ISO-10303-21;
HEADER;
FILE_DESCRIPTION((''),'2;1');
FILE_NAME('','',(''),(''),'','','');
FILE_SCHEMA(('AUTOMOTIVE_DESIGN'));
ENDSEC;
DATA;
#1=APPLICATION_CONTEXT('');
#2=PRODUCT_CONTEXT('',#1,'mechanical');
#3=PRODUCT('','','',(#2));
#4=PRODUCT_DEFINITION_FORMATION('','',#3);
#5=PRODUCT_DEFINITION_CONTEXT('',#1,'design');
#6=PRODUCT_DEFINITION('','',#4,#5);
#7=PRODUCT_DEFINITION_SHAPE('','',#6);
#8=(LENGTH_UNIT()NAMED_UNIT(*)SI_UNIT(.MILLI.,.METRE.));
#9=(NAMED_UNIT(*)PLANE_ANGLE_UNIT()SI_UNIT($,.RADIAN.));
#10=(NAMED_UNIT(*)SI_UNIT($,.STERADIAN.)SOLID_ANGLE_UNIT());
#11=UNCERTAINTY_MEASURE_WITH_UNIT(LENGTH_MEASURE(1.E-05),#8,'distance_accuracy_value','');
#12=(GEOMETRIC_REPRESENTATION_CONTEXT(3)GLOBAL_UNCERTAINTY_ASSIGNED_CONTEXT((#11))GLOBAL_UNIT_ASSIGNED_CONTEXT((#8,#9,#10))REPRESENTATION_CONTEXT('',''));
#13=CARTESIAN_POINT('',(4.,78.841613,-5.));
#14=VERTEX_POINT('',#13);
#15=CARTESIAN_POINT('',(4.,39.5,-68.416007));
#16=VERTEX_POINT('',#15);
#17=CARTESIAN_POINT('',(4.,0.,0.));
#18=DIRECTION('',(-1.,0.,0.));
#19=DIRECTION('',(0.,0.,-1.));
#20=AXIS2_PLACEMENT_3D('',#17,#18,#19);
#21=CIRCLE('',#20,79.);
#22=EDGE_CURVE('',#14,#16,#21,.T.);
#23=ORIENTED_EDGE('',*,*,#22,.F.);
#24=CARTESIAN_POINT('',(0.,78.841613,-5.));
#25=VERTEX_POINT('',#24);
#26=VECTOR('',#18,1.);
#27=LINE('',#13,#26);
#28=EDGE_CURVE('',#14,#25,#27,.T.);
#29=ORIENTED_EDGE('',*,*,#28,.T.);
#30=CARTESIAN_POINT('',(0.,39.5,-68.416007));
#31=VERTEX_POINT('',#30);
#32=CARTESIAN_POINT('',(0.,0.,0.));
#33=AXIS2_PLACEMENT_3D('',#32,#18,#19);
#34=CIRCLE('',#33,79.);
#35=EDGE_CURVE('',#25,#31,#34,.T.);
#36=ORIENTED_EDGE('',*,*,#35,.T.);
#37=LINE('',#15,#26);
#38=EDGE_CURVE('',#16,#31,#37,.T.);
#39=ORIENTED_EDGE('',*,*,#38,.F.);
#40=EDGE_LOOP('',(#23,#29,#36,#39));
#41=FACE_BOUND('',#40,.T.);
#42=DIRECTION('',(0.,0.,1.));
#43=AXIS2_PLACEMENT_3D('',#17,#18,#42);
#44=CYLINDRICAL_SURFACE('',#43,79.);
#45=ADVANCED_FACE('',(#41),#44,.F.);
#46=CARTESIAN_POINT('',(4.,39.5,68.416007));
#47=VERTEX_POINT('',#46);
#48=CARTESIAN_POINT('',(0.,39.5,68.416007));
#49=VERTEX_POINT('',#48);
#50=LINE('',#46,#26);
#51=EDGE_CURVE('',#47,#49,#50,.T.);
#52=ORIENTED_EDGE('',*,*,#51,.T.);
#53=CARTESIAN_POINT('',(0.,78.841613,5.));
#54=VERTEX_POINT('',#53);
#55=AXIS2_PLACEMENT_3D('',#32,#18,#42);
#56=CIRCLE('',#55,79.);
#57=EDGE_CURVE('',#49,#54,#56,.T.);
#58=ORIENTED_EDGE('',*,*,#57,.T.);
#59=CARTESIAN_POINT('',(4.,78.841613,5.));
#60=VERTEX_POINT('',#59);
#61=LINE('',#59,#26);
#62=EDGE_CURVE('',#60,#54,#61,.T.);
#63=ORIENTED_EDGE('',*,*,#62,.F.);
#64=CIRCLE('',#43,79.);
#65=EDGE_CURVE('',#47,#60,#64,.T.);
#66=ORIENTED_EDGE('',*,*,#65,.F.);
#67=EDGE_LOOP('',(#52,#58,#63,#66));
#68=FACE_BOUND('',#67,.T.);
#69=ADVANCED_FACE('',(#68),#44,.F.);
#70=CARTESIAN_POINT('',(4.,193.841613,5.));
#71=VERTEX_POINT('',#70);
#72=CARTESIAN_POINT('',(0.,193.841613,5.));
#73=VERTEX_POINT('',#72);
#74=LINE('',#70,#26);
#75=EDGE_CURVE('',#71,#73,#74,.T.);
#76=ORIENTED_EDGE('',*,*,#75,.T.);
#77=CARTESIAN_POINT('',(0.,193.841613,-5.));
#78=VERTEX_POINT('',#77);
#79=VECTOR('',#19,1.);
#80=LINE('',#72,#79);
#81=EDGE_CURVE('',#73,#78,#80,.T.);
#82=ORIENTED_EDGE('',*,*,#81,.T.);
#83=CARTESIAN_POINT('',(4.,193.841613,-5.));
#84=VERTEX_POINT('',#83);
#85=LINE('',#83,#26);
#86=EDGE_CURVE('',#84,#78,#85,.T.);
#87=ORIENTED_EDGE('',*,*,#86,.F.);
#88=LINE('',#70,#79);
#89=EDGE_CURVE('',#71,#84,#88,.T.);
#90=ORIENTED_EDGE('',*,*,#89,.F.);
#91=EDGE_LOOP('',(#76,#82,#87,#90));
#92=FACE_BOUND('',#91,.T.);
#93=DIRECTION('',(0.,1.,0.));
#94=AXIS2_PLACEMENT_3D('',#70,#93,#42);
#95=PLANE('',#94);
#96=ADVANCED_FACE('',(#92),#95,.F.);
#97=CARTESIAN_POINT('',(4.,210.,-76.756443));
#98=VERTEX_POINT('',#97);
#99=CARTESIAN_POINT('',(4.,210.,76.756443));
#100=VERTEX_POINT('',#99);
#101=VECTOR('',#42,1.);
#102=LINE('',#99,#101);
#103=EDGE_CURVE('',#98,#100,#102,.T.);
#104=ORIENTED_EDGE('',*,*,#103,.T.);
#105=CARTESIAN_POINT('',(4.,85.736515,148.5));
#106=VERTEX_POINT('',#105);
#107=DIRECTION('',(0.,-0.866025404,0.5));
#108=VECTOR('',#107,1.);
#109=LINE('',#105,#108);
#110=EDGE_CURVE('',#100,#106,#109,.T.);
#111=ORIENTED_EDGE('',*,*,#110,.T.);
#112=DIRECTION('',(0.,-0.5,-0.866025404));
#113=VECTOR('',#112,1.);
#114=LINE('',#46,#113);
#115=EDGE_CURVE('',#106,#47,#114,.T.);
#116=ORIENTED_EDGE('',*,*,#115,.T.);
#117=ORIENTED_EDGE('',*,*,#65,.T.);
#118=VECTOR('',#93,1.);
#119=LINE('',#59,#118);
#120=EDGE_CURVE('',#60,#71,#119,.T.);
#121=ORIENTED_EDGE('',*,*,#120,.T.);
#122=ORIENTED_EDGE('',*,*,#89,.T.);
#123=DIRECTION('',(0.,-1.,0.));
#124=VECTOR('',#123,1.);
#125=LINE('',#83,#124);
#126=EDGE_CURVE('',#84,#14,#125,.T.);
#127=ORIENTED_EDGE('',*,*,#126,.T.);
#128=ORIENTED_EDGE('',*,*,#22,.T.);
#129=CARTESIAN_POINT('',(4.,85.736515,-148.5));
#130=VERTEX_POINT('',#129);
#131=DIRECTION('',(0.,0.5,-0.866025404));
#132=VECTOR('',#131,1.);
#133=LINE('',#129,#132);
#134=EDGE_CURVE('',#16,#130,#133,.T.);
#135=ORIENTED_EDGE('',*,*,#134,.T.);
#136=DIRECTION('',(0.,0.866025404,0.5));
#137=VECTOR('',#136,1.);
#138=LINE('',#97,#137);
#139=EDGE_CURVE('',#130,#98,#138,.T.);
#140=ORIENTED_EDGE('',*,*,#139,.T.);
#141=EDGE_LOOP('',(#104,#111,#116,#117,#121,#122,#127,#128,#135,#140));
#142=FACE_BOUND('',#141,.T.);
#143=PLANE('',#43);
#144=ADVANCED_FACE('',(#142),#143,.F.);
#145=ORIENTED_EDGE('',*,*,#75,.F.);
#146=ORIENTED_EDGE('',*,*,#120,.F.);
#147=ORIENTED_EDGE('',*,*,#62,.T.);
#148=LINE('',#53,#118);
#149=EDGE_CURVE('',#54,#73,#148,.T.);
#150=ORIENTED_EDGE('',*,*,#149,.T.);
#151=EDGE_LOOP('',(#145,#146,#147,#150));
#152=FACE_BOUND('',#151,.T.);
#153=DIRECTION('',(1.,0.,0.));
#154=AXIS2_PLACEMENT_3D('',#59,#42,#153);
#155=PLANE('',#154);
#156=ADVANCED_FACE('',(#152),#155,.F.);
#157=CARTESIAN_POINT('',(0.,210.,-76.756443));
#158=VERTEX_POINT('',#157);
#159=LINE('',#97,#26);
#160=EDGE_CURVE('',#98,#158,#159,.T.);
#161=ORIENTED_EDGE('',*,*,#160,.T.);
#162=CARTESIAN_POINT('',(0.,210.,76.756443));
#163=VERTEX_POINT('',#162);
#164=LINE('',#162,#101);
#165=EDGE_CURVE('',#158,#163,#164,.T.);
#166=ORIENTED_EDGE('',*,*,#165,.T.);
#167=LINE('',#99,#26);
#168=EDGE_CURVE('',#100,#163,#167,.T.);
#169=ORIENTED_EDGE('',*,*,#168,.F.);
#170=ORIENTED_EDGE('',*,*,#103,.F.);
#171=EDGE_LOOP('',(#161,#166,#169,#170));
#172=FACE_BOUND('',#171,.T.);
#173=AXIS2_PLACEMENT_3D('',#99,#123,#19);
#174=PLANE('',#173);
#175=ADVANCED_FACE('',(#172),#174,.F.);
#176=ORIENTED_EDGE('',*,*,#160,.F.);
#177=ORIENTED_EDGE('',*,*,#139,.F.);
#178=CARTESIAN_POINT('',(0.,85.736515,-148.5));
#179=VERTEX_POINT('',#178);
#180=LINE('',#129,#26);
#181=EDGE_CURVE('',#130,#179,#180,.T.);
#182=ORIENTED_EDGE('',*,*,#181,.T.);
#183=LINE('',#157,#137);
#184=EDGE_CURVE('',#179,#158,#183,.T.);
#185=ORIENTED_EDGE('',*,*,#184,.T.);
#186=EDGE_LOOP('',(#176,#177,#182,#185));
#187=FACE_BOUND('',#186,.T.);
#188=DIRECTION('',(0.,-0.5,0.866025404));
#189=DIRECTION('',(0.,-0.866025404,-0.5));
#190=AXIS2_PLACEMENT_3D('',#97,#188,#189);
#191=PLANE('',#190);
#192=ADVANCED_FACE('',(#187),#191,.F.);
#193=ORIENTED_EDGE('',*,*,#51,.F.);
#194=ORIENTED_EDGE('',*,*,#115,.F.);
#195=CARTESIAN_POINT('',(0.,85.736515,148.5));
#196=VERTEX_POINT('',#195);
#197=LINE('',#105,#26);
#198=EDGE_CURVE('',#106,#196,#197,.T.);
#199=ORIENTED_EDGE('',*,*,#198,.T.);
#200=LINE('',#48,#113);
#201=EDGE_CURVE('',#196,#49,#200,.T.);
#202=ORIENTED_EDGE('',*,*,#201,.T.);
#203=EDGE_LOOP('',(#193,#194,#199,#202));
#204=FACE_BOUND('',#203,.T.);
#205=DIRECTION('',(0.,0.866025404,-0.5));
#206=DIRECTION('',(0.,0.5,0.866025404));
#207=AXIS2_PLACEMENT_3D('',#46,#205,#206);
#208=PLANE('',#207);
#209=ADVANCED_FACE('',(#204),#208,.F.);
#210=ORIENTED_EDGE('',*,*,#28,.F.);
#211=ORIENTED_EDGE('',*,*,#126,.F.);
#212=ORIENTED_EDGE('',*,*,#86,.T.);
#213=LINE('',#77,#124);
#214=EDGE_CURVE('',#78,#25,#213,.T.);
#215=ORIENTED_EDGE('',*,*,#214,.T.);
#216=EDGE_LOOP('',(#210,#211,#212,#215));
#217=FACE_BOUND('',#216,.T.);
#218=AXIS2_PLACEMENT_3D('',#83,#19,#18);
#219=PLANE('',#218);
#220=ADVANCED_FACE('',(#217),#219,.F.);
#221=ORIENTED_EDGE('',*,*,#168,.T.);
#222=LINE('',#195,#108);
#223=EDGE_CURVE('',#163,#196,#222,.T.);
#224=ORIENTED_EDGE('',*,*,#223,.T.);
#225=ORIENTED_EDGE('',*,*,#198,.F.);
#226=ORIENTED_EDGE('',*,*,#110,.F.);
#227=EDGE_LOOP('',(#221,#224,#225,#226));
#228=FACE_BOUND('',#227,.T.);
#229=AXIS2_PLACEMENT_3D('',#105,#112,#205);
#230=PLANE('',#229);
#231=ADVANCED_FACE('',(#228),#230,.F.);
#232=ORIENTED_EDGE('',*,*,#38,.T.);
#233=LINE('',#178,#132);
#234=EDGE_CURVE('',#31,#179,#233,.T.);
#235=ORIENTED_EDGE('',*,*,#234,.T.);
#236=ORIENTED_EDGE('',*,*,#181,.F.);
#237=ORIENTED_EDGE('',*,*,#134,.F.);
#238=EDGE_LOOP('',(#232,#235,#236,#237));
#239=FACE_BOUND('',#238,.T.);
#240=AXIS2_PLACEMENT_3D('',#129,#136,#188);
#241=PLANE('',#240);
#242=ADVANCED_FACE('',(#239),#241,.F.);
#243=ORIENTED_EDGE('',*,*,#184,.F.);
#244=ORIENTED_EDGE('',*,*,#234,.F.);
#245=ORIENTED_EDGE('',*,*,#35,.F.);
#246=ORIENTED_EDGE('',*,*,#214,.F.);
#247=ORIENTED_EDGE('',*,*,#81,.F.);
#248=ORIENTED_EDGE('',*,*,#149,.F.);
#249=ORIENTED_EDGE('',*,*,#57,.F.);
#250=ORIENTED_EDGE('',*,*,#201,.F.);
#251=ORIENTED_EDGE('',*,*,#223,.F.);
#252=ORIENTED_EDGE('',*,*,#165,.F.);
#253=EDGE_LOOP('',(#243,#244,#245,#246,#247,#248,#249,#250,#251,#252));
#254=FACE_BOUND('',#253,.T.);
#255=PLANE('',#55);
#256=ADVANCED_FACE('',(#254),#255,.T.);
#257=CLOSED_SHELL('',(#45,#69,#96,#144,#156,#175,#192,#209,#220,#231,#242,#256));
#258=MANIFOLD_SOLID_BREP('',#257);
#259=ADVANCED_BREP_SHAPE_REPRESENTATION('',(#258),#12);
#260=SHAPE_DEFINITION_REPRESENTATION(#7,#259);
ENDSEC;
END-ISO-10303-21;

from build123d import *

# Parameters (mm, degrees)
BOSS_EXTRU_1_DEPTH = 4


with BuildPart() as part:
    # Esquisse1 → Boss.-Extru.1 (new body)
    with BuildSketch(Plane(origin=(0, 0, 0), x_dir=(0, 0, -1), z_dir=(1, 0, 0))):
        with BuildLine():
            Line((-68.416006899, 39.5), (-148.5, 85.736514975))
            Line((-148.5, 85.736514975), (-76.75644347, 210))
            Line((-76.75644347, 210), (76.75644347, 210))
            Line((76.75644347, 210), (148.5, 85.736514975))
            Line((148.5, 85.736514975), (68.416006899, 39.5))
            ThreePointArc((68.416006899, 39.5), (41.646346215, 67.13107959), (5, 78.841613378))
            Line((5, 78.841613378), (5, 193.841613378))
            Line((5, 193.841613378), (-5, 193.841613378))
            Line((-5, 193.841613378), (-5, 78.841613378))
            ThreePointArc((-5, 78.841613378), (-41.646346215, 67.13107959), (-68.416006899, 39.5))
        make_face()
    extrude(amount=BOSS_EXTRU_1_DEPTH)


solid = part.part
